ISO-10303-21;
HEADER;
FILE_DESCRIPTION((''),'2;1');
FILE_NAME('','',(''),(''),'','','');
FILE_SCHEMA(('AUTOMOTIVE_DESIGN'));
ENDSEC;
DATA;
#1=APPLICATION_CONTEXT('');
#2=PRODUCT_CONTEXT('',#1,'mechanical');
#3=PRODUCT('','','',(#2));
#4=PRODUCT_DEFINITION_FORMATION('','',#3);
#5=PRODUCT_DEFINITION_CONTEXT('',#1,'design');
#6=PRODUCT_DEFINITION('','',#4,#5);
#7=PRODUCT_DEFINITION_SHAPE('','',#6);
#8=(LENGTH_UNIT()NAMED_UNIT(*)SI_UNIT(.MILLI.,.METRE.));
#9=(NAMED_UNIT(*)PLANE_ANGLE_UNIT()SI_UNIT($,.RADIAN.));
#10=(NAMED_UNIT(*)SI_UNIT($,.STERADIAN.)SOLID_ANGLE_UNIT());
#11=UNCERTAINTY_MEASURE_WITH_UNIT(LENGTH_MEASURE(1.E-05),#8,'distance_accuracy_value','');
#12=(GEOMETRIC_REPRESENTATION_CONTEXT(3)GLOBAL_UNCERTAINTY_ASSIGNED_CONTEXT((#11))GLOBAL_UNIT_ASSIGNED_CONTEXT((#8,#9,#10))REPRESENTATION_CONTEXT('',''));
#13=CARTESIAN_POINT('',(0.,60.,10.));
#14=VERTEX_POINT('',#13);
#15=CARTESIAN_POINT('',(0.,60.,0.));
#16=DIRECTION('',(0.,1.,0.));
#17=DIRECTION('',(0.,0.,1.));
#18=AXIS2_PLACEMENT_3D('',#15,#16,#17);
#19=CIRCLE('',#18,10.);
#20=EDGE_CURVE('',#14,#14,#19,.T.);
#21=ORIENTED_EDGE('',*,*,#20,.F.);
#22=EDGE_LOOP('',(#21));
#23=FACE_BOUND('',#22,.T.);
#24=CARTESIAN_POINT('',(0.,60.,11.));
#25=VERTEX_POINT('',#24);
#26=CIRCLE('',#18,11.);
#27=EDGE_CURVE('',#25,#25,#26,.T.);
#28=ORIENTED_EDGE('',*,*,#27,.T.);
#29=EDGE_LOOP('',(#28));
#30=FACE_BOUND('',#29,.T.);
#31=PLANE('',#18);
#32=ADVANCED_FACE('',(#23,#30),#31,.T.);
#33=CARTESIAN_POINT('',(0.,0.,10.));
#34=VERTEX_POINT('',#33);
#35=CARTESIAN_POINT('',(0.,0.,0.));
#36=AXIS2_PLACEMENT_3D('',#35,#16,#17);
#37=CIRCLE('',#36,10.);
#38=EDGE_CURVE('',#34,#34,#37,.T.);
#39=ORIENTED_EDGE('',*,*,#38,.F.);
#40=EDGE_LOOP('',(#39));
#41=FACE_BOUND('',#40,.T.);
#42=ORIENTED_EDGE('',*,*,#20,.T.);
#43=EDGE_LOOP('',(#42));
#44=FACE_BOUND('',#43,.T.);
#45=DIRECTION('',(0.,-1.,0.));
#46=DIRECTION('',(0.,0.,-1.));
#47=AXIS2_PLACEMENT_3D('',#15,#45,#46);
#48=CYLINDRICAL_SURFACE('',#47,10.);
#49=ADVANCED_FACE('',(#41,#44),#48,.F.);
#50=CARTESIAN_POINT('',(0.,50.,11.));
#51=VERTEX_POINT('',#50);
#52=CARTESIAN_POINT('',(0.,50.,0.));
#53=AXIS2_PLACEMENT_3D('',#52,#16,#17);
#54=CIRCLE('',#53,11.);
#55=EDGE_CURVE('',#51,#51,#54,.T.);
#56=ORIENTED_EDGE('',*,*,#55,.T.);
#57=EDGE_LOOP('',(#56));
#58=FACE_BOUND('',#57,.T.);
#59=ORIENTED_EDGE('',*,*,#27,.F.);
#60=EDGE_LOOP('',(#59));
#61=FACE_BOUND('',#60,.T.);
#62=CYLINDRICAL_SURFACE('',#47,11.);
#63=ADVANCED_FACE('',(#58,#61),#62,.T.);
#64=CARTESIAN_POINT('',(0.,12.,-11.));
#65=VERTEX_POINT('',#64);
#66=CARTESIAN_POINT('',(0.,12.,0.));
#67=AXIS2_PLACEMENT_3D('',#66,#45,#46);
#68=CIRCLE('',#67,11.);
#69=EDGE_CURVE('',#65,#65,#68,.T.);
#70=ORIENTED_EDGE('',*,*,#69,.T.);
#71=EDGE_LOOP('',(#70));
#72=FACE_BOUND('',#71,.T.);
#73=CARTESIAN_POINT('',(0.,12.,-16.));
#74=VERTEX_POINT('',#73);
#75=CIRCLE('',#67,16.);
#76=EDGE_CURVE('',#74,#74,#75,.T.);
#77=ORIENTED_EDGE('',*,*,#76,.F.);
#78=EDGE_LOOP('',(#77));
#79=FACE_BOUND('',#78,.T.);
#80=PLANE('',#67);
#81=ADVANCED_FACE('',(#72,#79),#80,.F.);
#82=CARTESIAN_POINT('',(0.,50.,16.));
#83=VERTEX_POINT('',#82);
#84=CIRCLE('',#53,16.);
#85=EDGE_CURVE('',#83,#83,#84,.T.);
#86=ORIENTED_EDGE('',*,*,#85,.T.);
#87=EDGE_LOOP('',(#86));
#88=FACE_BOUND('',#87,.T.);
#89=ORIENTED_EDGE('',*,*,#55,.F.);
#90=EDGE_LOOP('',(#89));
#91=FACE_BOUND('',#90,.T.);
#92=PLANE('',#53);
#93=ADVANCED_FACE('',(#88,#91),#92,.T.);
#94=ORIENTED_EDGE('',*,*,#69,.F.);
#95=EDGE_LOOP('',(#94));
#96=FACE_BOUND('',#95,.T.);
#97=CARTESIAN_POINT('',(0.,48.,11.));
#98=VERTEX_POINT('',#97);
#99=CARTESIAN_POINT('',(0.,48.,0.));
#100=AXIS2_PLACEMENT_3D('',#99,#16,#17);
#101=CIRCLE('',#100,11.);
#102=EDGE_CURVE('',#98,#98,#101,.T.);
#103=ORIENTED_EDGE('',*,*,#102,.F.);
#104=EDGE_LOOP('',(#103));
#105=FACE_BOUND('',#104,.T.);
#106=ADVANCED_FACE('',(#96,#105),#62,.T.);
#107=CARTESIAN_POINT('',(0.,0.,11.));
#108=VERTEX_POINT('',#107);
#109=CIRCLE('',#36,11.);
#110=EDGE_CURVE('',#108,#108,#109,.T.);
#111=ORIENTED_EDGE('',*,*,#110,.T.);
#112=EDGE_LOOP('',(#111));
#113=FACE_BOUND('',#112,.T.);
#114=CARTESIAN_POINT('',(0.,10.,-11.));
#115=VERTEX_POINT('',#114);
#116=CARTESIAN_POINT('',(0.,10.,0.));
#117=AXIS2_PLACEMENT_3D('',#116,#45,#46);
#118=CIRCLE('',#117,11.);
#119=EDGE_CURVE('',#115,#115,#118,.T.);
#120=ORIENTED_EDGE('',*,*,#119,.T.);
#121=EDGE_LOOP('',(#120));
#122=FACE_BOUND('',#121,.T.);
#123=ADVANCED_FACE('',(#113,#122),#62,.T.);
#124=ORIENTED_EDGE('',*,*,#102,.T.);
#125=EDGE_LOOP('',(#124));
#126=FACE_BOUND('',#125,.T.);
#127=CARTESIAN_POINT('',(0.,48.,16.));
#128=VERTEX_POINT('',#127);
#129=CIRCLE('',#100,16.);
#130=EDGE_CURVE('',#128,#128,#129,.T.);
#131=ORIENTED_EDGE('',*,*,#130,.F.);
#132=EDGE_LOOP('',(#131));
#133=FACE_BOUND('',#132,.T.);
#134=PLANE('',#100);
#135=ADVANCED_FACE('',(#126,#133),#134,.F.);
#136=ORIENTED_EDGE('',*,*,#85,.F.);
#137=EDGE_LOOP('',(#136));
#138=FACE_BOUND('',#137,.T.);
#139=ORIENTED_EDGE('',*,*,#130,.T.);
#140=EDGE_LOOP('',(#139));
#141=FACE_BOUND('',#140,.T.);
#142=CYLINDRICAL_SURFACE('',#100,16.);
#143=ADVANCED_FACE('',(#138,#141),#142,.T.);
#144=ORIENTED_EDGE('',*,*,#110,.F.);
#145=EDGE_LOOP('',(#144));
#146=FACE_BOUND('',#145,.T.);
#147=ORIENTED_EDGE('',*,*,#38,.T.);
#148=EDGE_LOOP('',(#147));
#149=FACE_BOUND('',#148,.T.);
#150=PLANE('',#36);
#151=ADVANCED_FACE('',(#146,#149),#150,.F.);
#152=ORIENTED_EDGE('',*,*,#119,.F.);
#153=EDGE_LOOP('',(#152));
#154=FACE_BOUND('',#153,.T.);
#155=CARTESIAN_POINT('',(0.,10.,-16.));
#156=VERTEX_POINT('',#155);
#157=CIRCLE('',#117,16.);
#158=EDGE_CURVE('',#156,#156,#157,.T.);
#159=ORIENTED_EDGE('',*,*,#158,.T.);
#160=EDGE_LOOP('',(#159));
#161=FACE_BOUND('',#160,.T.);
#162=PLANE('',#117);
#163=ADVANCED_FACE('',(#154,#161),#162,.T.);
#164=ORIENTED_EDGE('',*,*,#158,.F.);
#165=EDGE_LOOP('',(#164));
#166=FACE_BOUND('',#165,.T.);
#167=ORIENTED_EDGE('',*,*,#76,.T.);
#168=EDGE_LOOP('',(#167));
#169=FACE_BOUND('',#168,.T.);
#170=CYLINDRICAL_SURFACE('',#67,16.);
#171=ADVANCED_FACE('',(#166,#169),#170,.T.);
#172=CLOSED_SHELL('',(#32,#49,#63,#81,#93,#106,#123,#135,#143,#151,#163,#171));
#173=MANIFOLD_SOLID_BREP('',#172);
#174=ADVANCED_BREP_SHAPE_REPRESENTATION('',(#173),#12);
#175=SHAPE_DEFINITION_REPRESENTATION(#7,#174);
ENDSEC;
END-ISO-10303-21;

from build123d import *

# Parameters (mm, degrees)
SKETCH_1_R      = 11
SKETCH_1_R_2    = 10
EXTRUDE_1_DEPTH = 60
EXTRUDE_START   = -10
SKETCH_2_R      = 16
SKETCH_2_R_2    = 11
EXTRUDE_3_DEPTH = 2
SKETCH_3_R      = 16
SKETCH_3_R_2    = 11
EXTRUDE_4_DEPTH = 2


with BuildPart() as part:
    # Эскиз1 → Бобышка-Вытянуть1 (new body)
    with BuildSketch(Plane(origin=(0, 0, 0), x_dir=(1, 0, 0), z_dir=(0, 1, 0))):
        Circle(SKETCH_1_R)
        Circle(SKETCH_1_R_2, mode=Mode.SUBTRACT)
    extrude(amount=EXTRUDE_1_DEPTH)

    # Эскиз2 → Бобышка-Вытянуть3 (add)
    with BuildSketch(Plane(origin=(0, 60, 0), x_dir=(1, 0, 0), z_dir=(0, 1, 0)).offset(EXTRUDE_START)):
        Circle(SKETCH_2_R)
        Circle(SKETCH_2_R_2, mode=Mode.SUBTRACT)
    extrude(amount=-EXTRUDE_3_DEPTH)

    # Эскиз3 → Бобышка-Вытянуть4 (add)
    with BuildSketch(Plane.XZ.offset(EXTRUDE_START)):
        Circle(SKETCH_3_R)
        Circle(SKETCH_3_R_2, mode=Mode.SUBTRACT)
    extrude(amount=-EXTRUDE_4_DEPTH)


solid = part.part
